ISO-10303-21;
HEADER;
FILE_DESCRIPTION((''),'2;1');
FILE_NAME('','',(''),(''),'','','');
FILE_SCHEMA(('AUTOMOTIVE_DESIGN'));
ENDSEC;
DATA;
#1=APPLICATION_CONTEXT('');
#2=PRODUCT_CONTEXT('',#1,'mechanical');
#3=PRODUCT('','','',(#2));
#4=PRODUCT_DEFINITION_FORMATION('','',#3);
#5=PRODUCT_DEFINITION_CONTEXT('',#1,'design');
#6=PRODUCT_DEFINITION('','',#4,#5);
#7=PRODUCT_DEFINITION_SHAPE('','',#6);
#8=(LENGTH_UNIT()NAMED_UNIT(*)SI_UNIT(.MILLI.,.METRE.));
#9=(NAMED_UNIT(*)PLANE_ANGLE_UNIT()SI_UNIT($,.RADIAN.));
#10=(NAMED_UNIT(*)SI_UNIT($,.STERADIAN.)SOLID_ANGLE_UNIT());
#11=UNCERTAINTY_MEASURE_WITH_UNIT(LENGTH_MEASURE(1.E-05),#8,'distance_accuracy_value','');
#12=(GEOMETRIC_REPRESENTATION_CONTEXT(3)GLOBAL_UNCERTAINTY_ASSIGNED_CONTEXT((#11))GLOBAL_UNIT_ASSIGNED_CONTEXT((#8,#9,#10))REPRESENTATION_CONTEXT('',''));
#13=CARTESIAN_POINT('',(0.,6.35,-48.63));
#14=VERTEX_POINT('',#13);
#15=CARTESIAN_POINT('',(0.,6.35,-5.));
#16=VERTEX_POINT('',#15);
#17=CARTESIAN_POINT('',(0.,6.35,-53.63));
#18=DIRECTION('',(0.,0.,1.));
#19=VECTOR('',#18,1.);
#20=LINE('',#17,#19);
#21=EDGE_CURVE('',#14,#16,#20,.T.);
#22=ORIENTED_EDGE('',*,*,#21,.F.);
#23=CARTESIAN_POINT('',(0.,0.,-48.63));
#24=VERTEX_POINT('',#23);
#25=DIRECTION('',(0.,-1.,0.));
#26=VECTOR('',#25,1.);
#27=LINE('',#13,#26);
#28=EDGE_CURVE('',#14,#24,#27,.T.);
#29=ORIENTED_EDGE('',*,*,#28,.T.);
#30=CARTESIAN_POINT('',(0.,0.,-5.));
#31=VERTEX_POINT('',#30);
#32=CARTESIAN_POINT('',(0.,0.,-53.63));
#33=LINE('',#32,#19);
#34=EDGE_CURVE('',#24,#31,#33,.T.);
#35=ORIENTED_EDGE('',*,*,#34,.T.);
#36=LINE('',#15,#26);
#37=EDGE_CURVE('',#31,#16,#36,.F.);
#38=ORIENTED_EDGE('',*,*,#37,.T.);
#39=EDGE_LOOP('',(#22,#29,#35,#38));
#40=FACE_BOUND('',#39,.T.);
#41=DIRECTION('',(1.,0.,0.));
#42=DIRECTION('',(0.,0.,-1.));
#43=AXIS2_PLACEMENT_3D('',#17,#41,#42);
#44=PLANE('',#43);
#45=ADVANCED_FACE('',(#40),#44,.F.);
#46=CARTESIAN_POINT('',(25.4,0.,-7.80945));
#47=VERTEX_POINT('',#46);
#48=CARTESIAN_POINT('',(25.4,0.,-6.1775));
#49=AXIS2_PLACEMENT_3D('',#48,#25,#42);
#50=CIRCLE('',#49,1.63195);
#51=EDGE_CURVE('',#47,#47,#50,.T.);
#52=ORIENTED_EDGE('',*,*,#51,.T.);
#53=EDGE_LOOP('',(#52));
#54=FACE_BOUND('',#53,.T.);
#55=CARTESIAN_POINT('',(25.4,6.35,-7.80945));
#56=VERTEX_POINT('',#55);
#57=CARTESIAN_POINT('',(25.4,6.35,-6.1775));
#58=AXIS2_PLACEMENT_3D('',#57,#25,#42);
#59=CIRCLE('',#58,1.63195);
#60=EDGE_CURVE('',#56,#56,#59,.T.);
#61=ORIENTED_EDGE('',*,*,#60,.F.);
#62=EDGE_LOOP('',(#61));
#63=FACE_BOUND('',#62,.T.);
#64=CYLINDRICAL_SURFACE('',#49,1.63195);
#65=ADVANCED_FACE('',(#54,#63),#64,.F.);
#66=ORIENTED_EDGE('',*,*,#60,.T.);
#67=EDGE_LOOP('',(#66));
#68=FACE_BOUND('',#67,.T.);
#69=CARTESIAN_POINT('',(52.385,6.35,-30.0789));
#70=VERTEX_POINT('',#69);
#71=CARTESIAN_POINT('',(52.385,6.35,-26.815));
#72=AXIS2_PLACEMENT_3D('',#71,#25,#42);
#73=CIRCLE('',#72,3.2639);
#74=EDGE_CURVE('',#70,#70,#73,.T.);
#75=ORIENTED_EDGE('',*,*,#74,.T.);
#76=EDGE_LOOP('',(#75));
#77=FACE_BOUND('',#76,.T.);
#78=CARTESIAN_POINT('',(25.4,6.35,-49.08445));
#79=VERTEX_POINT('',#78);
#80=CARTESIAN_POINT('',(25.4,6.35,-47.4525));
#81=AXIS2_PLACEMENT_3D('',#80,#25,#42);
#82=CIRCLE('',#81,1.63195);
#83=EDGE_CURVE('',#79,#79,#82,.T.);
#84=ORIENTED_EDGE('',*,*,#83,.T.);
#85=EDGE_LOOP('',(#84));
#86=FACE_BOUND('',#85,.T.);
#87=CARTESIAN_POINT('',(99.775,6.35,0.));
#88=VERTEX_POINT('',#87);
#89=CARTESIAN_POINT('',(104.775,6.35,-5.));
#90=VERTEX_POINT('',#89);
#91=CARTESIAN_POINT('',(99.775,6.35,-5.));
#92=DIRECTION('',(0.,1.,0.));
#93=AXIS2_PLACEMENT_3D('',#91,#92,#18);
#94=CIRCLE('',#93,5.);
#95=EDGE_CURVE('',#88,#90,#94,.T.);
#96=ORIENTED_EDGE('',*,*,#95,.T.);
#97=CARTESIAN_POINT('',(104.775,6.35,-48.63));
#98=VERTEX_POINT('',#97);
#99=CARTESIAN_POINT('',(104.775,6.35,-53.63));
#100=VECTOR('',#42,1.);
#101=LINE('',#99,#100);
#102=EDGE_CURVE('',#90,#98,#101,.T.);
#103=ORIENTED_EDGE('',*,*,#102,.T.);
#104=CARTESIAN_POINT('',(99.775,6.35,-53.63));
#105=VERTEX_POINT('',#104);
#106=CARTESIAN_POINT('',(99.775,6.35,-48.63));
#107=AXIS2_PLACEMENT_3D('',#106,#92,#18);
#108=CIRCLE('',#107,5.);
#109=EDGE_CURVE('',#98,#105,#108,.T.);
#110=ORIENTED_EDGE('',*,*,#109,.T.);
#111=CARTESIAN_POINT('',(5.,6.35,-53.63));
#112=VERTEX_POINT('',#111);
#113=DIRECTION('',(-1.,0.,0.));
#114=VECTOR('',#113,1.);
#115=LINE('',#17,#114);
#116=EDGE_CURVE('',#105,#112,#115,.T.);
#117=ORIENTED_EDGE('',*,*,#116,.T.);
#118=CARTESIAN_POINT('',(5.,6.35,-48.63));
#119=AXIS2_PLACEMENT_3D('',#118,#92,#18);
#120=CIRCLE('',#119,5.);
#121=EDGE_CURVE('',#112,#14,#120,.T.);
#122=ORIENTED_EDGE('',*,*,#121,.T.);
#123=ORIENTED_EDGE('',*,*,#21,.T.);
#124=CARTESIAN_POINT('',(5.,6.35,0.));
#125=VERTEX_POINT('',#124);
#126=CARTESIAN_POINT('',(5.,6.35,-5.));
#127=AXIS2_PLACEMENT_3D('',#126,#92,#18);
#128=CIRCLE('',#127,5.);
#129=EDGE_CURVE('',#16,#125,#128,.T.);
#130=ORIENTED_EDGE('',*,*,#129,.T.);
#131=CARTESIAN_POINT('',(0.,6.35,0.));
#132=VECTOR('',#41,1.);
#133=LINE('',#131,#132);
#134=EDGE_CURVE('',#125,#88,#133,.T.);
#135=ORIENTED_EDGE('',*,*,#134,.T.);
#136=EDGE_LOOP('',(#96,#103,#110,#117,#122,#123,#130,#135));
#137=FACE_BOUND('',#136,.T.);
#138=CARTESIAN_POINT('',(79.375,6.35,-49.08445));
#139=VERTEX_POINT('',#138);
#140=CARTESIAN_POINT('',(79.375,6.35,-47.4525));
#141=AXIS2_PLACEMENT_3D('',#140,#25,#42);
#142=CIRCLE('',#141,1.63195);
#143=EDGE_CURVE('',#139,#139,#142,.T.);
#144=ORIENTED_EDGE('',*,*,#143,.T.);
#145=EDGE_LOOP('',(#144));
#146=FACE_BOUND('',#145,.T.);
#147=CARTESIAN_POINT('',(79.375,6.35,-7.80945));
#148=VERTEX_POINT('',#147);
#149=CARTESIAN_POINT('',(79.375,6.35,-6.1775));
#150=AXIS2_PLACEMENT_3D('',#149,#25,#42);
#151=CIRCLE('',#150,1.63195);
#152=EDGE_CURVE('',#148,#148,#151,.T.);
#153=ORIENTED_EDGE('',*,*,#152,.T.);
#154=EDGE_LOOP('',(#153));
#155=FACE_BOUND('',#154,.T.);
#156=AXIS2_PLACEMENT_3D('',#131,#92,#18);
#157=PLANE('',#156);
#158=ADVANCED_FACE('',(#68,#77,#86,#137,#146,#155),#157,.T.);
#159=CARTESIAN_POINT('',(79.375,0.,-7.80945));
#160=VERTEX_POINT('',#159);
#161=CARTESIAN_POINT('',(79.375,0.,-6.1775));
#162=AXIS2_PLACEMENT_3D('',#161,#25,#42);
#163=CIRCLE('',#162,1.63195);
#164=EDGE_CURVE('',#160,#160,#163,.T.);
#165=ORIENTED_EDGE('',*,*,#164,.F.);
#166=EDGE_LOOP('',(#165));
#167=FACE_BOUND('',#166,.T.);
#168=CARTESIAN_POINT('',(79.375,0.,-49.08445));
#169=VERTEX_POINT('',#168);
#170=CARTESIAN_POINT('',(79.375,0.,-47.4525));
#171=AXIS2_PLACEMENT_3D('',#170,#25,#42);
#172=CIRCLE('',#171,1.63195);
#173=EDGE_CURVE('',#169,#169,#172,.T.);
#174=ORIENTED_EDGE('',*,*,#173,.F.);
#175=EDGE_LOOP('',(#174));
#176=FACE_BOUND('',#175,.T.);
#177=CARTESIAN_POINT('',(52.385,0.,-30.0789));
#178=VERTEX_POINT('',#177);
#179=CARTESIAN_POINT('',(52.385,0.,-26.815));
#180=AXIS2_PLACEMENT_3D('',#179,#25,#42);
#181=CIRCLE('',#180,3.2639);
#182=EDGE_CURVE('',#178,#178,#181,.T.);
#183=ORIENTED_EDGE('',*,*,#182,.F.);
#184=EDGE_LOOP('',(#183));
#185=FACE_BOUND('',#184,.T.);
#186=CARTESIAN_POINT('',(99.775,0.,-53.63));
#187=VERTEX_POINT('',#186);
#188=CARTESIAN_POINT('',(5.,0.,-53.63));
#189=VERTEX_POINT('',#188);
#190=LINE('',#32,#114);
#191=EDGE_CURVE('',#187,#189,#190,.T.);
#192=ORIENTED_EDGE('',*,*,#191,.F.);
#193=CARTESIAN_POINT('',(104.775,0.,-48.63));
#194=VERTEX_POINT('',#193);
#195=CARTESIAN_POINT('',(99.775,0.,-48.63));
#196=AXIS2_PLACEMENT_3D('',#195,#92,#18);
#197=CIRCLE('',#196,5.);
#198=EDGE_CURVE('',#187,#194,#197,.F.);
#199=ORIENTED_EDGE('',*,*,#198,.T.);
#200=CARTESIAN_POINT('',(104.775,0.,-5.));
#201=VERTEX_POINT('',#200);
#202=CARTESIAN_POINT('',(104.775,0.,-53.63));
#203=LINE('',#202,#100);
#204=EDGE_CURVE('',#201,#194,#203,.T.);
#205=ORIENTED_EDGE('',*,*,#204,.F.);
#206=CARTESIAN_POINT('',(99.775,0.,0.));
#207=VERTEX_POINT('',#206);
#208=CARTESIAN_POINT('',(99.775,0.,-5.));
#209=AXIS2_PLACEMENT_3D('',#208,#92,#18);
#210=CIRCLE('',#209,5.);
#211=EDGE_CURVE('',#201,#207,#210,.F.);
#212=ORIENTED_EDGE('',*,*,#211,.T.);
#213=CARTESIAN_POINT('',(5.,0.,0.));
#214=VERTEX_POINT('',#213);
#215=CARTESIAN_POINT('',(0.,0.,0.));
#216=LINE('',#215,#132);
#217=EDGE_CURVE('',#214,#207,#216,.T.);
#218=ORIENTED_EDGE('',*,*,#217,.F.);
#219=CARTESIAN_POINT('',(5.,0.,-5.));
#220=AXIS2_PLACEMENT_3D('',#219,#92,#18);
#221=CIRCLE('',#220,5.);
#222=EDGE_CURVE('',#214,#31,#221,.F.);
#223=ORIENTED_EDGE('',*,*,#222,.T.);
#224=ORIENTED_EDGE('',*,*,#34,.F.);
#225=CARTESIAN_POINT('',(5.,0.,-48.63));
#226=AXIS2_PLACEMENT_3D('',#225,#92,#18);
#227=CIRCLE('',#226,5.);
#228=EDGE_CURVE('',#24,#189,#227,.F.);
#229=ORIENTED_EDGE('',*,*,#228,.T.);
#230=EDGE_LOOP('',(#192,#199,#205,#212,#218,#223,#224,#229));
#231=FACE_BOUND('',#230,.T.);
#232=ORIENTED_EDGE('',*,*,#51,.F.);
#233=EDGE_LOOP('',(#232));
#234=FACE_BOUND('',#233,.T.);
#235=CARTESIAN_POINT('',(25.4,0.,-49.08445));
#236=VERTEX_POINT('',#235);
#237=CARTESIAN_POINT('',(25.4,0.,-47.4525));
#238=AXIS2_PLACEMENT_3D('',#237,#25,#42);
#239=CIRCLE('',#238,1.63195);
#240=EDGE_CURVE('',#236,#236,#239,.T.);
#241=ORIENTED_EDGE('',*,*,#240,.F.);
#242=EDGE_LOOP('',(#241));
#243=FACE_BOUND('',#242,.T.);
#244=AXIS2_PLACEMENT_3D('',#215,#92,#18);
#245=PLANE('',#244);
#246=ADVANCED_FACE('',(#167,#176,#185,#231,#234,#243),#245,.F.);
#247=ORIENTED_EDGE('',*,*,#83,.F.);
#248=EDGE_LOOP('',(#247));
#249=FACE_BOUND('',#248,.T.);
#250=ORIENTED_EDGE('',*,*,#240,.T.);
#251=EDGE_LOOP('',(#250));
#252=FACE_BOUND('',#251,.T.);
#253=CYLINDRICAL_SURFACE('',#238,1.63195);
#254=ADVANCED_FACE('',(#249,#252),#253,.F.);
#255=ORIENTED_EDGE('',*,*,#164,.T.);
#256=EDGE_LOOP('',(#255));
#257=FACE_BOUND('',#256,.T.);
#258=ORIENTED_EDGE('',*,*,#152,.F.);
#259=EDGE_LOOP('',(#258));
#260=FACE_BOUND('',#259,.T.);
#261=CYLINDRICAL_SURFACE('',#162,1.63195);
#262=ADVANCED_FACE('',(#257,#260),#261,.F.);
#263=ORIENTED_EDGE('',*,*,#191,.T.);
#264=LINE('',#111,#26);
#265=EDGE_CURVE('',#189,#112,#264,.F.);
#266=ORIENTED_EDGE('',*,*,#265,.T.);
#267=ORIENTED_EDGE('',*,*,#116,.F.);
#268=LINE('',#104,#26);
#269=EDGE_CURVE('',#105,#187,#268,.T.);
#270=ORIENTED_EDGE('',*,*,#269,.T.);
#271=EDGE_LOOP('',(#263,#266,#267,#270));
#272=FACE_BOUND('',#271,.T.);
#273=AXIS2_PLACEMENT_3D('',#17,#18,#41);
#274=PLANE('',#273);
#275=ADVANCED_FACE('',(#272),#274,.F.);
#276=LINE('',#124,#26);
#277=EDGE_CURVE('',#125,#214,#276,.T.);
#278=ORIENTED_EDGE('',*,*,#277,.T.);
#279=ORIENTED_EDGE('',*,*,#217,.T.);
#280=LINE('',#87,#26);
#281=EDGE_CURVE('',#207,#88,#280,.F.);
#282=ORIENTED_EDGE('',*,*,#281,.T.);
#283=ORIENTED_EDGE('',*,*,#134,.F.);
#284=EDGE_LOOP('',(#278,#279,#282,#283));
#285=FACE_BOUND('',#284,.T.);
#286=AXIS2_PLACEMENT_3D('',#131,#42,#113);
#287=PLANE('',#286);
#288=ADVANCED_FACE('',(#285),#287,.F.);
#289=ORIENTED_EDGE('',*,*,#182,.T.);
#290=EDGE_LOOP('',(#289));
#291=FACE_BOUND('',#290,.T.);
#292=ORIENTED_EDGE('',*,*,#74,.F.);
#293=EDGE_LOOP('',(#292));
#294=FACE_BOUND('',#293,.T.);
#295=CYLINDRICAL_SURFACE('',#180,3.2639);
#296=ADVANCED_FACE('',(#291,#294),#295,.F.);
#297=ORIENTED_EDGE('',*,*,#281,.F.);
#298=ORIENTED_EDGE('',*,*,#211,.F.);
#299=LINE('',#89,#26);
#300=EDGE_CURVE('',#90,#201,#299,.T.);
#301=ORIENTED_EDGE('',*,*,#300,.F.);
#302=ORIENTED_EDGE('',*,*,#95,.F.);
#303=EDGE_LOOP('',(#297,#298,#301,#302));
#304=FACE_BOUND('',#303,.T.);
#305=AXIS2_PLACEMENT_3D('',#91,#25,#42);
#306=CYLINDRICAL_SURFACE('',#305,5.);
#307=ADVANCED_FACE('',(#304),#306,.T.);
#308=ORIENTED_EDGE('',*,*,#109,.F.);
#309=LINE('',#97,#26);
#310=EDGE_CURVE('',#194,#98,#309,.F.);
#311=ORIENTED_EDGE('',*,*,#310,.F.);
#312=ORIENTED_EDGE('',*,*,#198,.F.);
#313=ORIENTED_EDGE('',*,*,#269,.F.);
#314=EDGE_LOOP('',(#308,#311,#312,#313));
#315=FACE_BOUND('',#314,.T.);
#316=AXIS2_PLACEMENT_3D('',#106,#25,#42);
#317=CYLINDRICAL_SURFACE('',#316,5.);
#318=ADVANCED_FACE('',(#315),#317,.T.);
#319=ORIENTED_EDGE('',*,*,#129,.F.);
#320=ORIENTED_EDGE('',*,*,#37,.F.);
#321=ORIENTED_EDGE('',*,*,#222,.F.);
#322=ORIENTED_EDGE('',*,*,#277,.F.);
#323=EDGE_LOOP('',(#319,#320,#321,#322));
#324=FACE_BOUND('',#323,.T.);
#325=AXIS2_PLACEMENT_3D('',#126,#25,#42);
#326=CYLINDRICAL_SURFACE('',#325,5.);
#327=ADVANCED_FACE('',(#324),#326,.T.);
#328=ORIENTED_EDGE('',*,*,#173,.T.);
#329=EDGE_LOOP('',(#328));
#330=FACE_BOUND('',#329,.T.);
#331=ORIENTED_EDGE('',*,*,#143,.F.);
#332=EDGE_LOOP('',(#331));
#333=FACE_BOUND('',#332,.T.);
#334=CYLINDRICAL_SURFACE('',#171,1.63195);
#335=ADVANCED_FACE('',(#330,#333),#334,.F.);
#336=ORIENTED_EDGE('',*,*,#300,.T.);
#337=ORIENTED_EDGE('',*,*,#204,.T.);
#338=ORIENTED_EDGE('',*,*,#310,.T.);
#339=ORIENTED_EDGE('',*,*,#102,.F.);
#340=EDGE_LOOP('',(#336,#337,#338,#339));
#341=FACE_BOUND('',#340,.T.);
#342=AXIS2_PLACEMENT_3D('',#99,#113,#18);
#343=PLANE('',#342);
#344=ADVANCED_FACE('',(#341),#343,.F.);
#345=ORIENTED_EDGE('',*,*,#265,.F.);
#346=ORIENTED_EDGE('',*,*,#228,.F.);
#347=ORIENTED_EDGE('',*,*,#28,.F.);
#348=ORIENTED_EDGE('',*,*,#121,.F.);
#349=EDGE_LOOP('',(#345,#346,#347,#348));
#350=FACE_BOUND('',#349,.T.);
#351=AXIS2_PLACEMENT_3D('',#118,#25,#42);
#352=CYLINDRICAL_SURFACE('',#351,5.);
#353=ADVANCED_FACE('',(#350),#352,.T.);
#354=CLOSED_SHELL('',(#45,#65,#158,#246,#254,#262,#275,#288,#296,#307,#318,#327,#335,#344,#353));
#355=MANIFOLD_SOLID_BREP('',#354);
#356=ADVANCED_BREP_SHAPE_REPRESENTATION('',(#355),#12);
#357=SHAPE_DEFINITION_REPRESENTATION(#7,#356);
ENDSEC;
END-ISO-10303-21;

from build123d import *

# Parameters (mm, degrees)
SKETCH1_W                    = 104.775
SKETCH1_H                    = 53.63
BOSS_EXTRUDE1_DEPTH          = 6.35
F_0_257_DIAMETER_HOLE1_D     = 6.5278
FILLET1_R                    = 5
F_30_0_1285_DIAMETER_HOLE1_D = 3.2639


with BuildPart() as part:
    # Sketch1 → Boss-Extrude1 (new body)
    with BuildSketch(Plane(origin=(0, 0, 0), x_dir=(1, 0, 0), z_dir=(0, 1, 0))):
        with Locations((52.3875, 26.815)):
            Rectangle(SKETCH1_W, SKETCH1_H)
    extrude(amount=BOSS_EXTRUDE1_DEPTH)

    # F (0.257) Diameter Hole1 (through all)
    with Locations(Plane(origin=(0, 0, 0), x_dir=(-1, 0, 0), z_dir=(0, -1, 0))):
        with Locations((-52.385, 26.815)):
            Hole(F_0_257_DIAMETER_HOLE1_D / 2)

    # Fillet1
    fillet1_edges = [part.edges().sort_by_distance(p)[0] for p in [
        (0, 3.175, -53.63),
        (104.775, 3.175, -53.63),
        (104.775, 3.175, 0),
        (0, 3.175, 0),
    ]]
    fillet(fillet1_edges, radius=FILLET1_R)

    # #30 (0.1285) Diameter Hole1 (through all)
    with Locations(Plane(origin=(0, 0, 0), x_dir=(-1, 0, 0), z_dir=(0, -1, 0))):
        with Locations((-25.4, 6.1775), (-25.4, 47.4525), (-79.375, 47.4525), (-79.375, 6.1775)):
            Hole(F_30_0_1285_DIAMETER_HOLE1_D / 2)


solid = part.part
